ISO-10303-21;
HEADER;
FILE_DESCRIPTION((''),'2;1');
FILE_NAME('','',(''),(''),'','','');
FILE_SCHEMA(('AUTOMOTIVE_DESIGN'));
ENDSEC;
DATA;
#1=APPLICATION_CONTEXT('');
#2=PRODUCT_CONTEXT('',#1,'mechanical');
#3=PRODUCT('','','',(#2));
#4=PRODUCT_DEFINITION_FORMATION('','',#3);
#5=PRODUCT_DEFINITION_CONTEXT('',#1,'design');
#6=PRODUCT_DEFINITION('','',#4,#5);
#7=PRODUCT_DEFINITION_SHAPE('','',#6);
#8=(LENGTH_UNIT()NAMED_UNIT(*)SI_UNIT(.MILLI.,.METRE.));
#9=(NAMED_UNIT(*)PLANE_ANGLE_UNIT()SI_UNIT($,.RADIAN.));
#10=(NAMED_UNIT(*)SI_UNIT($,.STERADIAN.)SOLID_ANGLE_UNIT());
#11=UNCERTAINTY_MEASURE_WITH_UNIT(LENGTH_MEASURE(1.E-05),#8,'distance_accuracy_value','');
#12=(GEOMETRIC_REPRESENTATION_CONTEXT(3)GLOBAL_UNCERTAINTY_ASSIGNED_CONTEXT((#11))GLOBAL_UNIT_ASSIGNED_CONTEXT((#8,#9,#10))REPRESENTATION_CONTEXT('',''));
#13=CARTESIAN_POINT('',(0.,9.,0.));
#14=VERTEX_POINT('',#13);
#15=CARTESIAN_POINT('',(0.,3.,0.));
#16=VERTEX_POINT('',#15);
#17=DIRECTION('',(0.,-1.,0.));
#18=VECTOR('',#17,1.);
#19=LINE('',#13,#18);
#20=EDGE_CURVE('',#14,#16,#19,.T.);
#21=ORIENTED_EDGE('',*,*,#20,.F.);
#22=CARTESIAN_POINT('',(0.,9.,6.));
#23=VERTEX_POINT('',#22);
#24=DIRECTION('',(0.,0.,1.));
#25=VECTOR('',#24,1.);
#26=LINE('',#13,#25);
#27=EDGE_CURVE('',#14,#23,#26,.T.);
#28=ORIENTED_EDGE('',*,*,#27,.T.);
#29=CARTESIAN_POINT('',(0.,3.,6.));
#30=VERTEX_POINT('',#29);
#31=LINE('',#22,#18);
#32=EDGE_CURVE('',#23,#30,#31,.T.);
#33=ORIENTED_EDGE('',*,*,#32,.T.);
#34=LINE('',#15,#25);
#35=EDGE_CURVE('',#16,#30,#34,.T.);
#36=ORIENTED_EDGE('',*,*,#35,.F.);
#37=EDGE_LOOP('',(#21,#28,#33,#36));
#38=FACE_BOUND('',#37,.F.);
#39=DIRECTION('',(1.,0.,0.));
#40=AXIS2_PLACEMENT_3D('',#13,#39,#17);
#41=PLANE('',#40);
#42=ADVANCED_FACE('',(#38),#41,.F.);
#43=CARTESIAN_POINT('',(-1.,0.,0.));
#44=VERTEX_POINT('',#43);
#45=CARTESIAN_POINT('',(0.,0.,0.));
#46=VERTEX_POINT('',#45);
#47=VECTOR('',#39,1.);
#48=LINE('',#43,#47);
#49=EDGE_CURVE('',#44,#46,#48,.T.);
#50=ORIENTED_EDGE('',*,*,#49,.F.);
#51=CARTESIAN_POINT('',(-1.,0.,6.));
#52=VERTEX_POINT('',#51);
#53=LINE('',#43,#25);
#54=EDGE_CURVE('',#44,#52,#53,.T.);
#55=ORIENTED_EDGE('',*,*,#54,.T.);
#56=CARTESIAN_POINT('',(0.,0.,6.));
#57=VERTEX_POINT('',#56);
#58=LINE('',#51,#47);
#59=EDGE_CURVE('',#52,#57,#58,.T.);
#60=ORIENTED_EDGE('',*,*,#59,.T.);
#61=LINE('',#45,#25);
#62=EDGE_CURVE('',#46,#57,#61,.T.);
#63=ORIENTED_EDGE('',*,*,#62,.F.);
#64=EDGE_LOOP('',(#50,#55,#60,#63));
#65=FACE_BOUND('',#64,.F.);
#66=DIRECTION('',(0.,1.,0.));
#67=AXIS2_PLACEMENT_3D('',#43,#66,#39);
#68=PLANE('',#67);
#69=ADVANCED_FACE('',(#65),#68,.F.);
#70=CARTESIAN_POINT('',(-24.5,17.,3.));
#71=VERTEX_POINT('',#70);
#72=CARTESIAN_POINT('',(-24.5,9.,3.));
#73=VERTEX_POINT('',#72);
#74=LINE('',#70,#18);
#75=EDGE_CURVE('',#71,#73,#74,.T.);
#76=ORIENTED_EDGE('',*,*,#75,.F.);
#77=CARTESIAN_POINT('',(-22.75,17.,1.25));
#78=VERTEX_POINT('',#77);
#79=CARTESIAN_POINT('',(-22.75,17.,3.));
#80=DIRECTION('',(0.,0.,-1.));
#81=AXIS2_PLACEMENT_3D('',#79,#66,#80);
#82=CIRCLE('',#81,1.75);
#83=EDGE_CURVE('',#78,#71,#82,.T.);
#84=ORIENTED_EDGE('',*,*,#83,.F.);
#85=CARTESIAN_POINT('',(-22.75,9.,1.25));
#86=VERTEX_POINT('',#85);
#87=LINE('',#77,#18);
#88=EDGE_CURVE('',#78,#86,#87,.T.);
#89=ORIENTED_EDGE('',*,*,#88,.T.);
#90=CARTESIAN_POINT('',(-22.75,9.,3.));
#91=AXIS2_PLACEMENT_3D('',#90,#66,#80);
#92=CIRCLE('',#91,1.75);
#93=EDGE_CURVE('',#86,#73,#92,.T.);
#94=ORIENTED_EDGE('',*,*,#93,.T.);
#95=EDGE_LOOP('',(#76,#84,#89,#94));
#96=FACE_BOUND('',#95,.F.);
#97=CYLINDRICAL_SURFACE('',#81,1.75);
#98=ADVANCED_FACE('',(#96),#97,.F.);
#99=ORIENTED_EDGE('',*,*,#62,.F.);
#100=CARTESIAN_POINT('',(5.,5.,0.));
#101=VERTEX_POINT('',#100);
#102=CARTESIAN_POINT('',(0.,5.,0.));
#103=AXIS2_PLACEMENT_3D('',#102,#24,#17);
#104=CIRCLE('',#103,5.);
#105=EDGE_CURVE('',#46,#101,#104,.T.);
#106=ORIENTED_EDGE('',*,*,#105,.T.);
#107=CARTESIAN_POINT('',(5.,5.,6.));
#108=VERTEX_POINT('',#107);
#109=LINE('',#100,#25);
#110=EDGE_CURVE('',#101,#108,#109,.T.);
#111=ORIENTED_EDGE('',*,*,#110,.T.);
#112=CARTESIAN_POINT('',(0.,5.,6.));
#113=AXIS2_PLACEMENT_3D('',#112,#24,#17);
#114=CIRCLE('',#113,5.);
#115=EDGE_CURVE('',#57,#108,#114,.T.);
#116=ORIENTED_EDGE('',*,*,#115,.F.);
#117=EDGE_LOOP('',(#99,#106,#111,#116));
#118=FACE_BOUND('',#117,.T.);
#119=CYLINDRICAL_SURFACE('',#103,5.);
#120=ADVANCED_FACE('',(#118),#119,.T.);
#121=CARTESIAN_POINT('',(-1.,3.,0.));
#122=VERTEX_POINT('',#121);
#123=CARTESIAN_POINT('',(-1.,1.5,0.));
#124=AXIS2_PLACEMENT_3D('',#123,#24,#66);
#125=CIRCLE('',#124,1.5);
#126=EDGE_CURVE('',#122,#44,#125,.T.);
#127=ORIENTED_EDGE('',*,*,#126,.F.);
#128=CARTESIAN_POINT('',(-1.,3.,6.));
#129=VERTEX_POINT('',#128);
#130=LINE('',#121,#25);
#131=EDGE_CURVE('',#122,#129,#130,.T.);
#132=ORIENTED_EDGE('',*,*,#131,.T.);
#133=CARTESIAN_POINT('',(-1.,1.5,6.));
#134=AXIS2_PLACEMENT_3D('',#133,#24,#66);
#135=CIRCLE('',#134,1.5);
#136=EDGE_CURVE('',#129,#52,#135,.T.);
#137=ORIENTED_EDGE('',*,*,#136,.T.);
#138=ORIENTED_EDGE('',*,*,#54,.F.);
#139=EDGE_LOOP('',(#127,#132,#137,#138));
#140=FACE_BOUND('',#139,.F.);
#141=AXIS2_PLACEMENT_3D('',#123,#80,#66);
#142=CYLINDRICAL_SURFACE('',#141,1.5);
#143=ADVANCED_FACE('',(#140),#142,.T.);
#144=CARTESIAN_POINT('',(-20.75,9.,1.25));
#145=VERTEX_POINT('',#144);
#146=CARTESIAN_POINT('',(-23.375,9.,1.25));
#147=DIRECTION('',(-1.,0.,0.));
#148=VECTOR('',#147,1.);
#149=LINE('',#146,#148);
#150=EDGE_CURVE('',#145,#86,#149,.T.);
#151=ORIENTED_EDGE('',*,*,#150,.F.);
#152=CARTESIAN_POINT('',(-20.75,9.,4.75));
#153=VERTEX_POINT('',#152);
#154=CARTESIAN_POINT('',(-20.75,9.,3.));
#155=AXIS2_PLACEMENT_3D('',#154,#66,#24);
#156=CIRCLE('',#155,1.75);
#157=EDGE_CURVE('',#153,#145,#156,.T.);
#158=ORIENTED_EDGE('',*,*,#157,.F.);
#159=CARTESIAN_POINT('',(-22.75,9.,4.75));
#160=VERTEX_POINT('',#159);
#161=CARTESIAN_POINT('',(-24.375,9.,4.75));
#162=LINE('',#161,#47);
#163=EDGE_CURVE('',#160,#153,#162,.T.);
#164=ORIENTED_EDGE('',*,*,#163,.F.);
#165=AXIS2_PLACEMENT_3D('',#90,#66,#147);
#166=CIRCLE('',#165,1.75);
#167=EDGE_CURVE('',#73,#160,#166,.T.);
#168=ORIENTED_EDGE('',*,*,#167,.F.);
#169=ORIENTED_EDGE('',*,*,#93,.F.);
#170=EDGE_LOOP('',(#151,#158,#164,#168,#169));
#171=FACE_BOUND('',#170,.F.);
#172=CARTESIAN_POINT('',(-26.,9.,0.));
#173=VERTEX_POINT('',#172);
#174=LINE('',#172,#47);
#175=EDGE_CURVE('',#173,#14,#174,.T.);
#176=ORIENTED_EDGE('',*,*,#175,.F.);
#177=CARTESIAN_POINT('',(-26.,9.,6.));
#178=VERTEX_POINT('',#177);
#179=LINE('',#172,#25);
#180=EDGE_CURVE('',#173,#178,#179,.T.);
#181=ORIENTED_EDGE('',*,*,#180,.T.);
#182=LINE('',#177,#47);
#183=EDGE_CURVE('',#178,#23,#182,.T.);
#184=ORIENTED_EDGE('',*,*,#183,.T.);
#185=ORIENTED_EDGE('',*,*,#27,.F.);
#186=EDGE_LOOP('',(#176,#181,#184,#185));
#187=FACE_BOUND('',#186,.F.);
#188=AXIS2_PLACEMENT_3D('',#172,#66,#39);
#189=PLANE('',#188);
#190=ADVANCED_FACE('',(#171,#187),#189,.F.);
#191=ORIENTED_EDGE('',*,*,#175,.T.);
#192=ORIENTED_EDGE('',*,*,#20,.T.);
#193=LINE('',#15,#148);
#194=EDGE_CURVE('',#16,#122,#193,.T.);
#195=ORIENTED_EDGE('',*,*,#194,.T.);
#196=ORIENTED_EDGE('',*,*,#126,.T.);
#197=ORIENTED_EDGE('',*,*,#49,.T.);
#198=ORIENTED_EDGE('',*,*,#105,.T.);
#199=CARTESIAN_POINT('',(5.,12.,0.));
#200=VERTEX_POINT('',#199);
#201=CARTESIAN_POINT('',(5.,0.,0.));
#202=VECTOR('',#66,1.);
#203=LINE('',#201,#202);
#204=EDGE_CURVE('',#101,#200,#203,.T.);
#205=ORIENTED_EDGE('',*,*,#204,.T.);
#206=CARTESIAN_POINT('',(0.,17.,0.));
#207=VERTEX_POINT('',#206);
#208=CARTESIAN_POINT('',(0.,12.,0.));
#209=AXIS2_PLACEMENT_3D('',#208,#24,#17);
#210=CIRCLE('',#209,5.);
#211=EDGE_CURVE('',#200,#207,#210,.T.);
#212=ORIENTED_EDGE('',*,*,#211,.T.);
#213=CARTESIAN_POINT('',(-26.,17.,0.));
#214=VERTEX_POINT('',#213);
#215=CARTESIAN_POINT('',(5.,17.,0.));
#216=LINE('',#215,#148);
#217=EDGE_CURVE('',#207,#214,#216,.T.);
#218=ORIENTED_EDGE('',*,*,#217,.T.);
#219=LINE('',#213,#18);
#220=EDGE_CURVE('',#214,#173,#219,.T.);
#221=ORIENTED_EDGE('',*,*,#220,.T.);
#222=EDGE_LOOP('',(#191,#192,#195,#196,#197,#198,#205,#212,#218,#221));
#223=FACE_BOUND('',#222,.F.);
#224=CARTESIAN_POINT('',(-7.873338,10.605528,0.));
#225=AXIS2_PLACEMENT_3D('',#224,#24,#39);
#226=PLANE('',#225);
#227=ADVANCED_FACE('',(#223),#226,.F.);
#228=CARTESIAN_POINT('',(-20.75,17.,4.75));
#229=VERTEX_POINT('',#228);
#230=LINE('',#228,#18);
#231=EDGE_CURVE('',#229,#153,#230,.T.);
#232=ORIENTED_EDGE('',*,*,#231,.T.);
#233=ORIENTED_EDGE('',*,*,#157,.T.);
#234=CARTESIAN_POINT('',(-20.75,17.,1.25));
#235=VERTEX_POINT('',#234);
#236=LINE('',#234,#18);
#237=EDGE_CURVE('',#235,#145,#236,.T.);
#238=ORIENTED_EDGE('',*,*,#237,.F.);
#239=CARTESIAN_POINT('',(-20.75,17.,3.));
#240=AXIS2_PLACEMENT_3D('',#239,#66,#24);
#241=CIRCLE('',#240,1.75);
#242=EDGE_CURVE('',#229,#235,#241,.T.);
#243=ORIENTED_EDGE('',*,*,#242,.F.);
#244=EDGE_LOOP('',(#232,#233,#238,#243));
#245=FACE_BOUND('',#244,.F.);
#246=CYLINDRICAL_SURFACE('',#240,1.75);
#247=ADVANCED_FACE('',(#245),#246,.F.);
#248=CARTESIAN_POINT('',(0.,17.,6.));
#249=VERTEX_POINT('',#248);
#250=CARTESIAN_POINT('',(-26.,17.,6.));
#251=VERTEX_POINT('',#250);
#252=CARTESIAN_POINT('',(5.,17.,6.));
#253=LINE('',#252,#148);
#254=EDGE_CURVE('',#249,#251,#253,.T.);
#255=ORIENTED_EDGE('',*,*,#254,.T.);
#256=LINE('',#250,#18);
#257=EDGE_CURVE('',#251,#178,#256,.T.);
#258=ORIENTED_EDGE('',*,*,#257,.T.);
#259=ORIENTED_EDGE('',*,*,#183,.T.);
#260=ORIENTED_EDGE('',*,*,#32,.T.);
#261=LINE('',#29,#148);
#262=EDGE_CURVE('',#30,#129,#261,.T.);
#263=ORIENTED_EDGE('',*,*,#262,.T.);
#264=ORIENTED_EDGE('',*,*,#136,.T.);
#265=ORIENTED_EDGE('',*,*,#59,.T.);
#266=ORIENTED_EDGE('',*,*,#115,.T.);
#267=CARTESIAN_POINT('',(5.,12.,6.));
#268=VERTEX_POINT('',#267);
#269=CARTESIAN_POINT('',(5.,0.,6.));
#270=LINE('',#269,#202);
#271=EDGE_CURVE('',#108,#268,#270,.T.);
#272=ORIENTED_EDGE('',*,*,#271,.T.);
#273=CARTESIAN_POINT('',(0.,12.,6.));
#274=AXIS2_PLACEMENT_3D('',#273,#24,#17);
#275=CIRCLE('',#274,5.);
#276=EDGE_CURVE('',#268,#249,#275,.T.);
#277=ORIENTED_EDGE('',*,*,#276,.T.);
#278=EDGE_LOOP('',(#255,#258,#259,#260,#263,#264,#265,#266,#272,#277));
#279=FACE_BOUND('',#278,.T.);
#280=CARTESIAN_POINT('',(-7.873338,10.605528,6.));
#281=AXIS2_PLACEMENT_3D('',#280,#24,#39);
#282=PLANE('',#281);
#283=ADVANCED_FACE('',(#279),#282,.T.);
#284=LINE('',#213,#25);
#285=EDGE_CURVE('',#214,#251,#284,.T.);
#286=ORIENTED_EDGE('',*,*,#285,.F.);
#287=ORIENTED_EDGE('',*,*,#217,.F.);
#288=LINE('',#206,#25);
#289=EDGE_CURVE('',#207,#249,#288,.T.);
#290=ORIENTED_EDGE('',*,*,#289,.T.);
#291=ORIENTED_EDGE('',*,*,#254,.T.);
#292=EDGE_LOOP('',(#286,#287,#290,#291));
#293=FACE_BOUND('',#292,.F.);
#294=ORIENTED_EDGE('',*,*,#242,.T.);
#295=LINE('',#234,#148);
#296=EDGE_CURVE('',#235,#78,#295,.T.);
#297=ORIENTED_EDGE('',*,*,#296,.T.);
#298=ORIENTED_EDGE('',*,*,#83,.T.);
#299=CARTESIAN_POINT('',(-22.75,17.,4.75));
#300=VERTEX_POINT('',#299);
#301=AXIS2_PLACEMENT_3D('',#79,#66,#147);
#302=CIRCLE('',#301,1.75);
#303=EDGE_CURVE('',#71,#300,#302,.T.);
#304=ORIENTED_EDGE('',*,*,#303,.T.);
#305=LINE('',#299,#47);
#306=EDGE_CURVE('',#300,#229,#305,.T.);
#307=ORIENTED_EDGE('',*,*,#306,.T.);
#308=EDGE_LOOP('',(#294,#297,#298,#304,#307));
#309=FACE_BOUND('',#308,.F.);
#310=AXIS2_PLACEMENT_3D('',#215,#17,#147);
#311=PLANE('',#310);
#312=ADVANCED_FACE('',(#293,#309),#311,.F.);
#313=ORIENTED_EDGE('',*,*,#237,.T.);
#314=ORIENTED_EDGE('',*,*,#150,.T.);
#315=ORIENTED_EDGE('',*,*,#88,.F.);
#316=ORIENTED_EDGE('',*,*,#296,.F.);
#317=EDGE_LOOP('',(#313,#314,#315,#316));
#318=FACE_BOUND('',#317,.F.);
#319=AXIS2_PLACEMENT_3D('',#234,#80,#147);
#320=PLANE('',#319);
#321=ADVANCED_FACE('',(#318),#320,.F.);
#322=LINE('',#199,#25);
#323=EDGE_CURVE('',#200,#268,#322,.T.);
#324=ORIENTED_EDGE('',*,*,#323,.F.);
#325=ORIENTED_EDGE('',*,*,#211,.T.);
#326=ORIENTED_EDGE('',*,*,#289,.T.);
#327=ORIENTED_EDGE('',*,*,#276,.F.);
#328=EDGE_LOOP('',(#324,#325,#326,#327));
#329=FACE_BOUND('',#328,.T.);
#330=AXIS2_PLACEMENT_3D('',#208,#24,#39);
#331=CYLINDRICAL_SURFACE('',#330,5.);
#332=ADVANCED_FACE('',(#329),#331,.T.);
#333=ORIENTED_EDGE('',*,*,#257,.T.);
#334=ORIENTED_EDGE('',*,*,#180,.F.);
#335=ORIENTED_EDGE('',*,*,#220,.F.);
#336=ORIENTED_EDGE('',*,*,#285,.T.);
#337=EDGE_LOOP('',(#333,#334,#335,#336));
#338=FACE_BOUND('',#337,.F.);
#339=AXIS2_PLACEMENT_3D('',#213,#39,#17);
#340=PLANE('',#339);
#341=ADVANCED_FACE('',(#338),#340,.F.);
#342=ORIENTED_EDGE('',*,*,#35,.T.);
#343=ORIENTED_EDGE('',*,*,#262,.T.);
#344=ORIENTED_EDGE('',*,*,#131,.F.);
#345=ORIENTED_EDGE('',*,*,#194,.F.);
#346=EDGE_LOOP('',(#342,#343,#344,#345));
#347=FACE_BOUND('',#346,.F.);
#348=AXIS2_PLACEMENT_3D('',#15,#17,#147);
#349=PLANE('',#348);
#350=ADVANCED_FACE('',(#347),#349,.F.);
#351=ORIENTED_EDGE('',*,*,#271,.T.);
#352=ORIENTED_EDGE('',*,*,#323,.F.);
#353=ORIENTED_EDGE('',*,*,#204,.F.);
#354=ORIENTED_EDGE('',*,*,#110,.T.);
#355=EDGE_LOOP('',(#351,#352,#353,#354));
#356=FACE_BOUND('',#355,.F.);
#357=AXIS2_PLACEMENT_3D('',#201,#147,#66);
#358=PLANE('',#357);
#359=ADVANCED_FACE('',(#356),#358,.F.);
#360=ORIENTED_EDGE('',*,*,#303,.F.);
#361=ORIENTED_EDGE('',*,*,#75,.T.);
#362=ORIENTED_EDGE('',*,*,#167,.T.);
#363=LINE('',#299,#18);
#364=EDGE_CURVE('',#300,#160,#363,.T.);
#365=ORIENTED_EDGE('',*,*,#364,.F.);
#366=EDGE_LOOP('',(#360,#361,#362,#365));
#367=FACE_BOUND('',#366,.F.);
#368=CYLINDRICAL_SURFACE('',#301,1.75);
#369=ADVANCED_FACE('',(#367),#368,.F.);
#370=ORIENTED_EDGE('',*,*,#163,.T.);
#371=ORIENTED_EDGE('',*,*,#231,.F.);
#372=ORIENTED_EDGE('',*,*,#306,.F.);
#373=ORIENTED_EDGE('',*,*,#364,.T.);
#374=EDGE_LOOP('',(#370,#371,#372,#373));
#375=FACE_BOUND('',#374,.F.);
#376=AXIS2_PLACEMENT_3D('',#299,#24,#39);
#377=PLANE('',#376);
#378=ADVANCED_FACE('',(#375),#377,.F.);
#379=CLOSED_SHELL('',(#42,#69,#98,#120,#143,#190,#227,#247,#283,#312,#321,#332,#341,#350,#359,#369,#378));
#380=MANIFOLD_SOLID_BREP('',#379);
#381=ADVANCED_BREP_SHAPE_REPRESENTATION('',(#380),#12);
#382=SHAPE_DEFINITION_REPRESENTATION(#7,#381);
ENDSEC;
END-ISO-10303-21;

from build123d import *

# Parameters (mm, degrees)
F1_DEPTH = 6
F3_DEPTH = 25
F4_R     = 5


with BuildPart() as f1:
    # F0 (on Top) → F1 (new body)
    with BuildSketch(Plane.XY):
        with BuildLine():
            Line((-1, 0), (0, 0))
            Line((0, 0), (5, 0))
            Line((5, 0), (5, 17))
            Line((5, 17), (-26, 17))
            Line((-26, 17), (-26, 9))
            Line((-26, 9), (0, 9))
            Line((0, 9), (0, 3))
            Line((0, 3), (-1, 3))
            ThreePointArc((-1, 3), (-2.5, 1.5), (-1, 0))
        make_face()
    extrude(amount=F1_DEPTH)

    # F2 (on face) → F3 (cut)
    with BuildSketch(Plane(origin=(0, 17, 0), x_dir=(-1, 0, 0), z_dir=(0, 1, 0))):
        with BuildLine():
            ThreePointArc((22.75, 1.25), (23.9874368671, 1.7625631329), (24.5, 3))
            ThreePointArc((24.5, 3), (23.9874368671, 4.2374368671), (22.75, 4.75))
            Line((22.75, 4.75), (22.75, 1.25))
        make_face()
        with BuildLine():
            Line((22.75, 1.25), (22.75, 4.75))
            ThreePointArc((22.75, 4.75), (22.2259514134, 4.6696925103), (21.75, 4.4361406616))
            ThreePointArc((21.75, 4.4361406616), (22.3012092057, 3.8100925873), (22.5, 3))
            ThreePointArc((22.5, 3), (22.3012092057, 2.1899074127), (21.75, 1.5638593384))
            ThreePointArc((21.75, 1.5638593384), (22.2259514134, 1.3303074897), (22.75, 1.25))
        make_face()
        with BuildLine():
            ThreePointArc((21.75, 4.4361406616), (22.2259514134, 4.6696925103), (22.75, 4.75))
            Line((22.75, 4.75), (20.75, 4.75))
            ThreePointArc((20.75, 4.75), (21.2740485866, 4.6696925103), (21.75, 4.4361406616))
        make_face()
        with BuildLine():
            Line((20.75, 1.25), (22.75, 1.25))
            ThreePointArc((22.75, 1.25), (22.2259514134, 1.3303074897), (21.75, 1.5638593384))
            ThreePointArc((21.75, 1.5638593384), (21.2740485866, 1.3303074897), (20.75, 1.25))
        make_face()
        with BuildLine():
            ThreePointArc((21.75, 1.5638593384), (21, 3), (21.75, 4.4361406616))
            ThreePointArc((21.75, 4.4361406616), (21.2740485866, 4.6696925103), (20.75, 4.75))
            ThreePointArc((20.75, 4.75), (19, 3), (20.75, 1.25))
            ThreePointArc((20.75, 1.25), (21.2740485866, 1.3303074897), (21.75, 1.5638593384))
        make_face()
        with BuildLine():
            ThreePointArc((22.5, 3), (22.3012092057, 3.8100925873), (21.75, 4.4361406616))
            ThreePointArc((21.75, 4.4361406616), (21, 3), (21.75, 1.5638593384))
            ThreePointArc((21.75, 1.5638593384), (22.3012092057, 2.1899074127), (22.5, 3))
        make_face()
    extrude(amount=-F3_DEPTH, mode=Mode.SUBTRACT)

    # F4
    f4_edges = [f1.edges().sort_by_distance(p)[0] for p in [
        (5, 17, 3),
        (5, 0, 3),
    ]]
    fillet(f4_edges, radius=F4_R)


solid = f1.part
